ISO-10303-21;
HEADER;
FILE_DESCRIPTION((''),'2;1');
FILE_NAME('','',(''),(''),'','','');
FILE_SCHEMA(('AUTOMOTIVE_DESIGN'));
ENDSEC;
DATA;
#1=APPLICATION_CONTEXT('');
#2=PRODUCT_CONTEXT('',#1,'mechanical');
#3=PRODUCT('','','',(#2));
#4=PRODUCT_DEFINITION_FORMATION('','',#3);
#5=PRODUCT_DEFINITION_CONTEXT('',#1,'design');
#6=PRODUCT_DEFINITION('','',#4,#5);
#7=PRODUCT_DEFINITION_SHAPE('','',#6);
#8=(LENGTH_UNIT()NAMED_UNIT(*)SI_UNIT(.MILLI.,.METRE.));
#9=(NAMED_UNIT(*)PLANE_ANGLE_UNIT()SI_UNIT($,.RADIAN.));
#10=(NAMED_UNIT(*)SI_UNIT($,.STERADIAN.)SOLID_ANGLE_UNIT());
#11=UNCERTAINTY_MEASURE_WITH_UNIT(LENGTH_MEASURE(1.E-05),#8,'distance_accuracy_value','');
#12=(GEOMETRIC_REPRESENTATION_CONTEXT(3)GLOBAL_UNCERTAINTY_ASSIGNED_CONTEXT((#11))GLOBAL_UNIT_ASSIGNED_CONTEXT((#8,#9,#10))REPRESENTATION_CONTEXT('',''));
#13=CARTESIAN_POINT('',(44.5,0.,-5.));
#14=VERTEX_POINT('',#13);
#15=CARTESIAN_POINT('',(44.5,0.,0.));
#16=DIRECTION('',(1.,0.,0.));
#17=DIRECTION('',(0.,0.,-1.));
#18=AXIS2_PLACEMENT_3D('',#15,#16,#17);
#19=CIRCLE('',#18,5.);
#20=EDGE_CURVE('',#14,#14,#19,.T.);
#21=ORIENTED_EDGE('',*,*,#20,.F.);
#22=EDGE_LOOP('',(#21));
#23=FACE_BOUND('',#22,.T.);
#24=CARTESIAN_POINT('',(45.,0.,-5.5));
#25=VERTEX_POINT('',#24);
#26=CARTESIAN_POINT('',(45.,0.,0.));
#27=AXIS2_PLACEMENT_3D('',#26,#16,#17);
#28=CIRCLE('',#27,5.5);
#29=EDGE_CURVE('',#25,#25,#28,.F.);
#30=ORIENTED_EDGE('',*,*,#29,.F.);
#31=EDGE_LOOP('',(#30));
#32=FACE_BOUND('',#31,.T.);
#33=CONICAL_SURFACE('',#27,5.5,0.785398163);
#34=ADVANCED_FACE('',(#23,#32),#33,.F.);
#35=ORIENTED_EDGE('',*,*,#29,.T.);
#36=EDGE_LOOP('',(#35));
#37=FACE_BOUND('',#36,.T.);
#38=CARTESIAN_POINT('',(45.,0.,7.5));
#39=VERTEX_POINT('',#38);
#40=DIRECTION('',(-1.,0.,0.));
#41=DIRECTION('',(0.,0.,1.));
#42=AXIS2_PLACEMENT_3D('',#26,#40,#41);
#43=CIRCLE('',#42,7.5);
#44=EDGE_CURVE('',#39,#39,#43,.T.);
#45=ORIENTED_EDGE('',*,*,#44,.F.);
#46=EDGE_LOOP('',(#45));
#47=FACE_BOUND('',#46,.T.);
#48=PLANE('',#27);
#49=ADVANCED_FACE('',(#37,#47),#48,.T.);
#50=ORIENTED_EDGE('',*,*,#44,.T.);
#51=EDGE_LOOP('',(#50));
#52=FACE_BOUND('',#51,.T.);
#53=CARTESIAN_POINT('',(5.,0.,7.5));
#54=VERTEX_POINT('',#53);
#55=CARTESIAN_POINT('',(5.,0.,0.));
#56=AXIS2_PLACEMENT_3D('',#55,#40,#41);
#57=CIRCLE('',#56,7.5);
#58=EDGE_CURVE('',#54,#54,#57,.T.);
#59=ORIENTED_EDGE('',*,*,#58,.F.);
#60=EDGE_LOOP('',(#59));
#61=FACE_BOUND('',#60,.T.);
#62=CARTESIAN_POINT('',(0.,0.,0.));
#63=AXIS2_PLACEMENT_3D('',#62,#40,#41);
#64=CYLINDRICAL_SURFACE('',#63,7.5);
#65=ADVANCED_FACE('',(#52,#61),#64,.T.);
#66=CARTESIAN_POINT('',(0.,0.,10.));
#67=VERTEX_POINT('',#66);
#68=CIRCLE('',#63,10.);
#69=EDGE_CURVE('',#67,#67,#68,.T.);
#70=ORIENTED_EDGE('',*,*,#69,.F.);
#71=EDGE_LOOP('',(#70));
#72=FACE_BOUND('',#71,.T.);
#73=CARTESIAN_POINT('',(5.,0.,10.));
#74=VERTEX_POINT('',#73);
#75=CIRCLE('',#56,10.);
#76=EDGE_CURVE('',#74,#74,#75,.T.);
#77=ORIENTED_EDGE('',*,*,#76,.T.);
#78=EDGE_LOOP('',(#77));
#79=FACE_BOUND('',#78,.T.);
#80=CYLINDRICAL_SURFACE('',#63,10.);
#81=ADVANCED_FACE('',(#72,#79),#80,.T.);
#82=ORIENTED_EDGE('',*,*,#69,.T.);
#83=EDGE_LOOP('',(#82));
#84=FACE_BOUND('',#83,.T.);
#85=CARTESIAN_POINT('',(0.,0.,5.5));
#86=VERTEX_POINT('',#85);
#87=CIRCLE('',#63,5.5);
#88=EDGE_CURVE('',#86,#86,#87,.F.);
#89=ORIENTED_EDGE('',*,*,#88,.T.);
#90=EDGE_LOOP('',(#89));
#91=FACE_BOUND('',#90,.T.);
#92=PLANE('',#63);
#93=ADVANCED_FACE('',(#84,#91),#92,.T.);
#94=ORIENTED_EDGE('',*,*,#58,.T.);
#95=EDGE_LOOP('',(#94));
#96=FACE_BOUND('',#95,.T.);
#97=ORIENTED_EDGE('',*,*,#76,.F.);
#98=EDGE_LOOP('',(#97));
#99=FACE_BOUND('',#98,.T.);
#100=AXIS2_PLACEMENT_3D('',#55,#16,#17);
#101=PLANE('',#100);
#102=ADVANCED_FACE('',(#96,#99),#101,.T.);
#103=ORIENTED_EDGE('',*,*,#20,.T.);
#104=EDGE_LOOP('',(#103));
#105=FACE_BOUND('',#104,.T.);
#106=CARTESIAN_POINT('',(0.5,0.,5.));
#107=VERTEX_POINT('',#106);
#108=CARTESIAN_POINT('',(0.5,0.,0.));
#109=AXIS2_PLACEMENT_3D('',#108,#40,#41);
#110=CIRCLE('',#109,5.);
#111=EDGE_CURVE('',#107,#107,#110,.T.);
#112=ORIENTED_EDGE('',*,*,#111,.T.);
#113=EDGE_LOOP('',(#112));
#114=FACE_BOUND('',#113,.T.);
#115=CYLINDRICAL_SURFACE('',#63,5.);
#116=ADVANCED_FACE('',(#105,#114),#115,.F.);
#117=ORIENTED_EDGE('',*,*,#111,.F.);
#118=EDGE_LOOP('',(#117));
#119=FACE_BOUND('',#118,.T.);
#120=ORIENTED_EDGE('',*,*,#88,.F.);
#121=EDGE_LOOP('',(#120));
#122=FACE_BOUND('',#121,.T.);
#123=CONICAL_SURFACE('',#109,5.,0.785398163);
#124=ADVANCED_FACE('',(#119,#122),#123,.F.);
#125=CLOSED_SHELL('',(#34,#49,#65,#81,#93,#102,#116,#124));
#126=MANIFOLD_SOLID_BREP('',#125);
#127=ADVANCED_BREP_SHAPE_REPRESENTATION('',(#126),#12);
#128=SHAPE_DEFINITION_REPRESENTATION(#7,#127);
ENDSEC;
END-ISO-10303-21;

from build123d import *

# Parameters (mm, degrees)
CHAMFER_1_SIZE = 0.5


with BuildPart() as part:
    # Эскиз1 → Повернуть1 (revolve)
    with BuildSketch(Plane.XY, mode=Mode.PRIVATE) as revolve_1_sk:
        Polygon((0, 5), (0, 10), (5, 10), (5, 7.5), (45, 7.5), (45, 5), align=None)
    revolve(revolve_1_sk.sketch.rotate(Axis((0, 0, 0), (1, 0, 0)), 90), axis=Axis((0, 0, 0), (1, 0, 0)))

    # Фаска1
    chamfer_1_edges = [part.edges().sort_by_distance(p)[0] for p in [
        (45, 0, -5),
        (0, 0, -5),
    ]]
    chamfer(chamfer_1_edges, length=CHAMFER_1_SIZE)


solid = part.part
